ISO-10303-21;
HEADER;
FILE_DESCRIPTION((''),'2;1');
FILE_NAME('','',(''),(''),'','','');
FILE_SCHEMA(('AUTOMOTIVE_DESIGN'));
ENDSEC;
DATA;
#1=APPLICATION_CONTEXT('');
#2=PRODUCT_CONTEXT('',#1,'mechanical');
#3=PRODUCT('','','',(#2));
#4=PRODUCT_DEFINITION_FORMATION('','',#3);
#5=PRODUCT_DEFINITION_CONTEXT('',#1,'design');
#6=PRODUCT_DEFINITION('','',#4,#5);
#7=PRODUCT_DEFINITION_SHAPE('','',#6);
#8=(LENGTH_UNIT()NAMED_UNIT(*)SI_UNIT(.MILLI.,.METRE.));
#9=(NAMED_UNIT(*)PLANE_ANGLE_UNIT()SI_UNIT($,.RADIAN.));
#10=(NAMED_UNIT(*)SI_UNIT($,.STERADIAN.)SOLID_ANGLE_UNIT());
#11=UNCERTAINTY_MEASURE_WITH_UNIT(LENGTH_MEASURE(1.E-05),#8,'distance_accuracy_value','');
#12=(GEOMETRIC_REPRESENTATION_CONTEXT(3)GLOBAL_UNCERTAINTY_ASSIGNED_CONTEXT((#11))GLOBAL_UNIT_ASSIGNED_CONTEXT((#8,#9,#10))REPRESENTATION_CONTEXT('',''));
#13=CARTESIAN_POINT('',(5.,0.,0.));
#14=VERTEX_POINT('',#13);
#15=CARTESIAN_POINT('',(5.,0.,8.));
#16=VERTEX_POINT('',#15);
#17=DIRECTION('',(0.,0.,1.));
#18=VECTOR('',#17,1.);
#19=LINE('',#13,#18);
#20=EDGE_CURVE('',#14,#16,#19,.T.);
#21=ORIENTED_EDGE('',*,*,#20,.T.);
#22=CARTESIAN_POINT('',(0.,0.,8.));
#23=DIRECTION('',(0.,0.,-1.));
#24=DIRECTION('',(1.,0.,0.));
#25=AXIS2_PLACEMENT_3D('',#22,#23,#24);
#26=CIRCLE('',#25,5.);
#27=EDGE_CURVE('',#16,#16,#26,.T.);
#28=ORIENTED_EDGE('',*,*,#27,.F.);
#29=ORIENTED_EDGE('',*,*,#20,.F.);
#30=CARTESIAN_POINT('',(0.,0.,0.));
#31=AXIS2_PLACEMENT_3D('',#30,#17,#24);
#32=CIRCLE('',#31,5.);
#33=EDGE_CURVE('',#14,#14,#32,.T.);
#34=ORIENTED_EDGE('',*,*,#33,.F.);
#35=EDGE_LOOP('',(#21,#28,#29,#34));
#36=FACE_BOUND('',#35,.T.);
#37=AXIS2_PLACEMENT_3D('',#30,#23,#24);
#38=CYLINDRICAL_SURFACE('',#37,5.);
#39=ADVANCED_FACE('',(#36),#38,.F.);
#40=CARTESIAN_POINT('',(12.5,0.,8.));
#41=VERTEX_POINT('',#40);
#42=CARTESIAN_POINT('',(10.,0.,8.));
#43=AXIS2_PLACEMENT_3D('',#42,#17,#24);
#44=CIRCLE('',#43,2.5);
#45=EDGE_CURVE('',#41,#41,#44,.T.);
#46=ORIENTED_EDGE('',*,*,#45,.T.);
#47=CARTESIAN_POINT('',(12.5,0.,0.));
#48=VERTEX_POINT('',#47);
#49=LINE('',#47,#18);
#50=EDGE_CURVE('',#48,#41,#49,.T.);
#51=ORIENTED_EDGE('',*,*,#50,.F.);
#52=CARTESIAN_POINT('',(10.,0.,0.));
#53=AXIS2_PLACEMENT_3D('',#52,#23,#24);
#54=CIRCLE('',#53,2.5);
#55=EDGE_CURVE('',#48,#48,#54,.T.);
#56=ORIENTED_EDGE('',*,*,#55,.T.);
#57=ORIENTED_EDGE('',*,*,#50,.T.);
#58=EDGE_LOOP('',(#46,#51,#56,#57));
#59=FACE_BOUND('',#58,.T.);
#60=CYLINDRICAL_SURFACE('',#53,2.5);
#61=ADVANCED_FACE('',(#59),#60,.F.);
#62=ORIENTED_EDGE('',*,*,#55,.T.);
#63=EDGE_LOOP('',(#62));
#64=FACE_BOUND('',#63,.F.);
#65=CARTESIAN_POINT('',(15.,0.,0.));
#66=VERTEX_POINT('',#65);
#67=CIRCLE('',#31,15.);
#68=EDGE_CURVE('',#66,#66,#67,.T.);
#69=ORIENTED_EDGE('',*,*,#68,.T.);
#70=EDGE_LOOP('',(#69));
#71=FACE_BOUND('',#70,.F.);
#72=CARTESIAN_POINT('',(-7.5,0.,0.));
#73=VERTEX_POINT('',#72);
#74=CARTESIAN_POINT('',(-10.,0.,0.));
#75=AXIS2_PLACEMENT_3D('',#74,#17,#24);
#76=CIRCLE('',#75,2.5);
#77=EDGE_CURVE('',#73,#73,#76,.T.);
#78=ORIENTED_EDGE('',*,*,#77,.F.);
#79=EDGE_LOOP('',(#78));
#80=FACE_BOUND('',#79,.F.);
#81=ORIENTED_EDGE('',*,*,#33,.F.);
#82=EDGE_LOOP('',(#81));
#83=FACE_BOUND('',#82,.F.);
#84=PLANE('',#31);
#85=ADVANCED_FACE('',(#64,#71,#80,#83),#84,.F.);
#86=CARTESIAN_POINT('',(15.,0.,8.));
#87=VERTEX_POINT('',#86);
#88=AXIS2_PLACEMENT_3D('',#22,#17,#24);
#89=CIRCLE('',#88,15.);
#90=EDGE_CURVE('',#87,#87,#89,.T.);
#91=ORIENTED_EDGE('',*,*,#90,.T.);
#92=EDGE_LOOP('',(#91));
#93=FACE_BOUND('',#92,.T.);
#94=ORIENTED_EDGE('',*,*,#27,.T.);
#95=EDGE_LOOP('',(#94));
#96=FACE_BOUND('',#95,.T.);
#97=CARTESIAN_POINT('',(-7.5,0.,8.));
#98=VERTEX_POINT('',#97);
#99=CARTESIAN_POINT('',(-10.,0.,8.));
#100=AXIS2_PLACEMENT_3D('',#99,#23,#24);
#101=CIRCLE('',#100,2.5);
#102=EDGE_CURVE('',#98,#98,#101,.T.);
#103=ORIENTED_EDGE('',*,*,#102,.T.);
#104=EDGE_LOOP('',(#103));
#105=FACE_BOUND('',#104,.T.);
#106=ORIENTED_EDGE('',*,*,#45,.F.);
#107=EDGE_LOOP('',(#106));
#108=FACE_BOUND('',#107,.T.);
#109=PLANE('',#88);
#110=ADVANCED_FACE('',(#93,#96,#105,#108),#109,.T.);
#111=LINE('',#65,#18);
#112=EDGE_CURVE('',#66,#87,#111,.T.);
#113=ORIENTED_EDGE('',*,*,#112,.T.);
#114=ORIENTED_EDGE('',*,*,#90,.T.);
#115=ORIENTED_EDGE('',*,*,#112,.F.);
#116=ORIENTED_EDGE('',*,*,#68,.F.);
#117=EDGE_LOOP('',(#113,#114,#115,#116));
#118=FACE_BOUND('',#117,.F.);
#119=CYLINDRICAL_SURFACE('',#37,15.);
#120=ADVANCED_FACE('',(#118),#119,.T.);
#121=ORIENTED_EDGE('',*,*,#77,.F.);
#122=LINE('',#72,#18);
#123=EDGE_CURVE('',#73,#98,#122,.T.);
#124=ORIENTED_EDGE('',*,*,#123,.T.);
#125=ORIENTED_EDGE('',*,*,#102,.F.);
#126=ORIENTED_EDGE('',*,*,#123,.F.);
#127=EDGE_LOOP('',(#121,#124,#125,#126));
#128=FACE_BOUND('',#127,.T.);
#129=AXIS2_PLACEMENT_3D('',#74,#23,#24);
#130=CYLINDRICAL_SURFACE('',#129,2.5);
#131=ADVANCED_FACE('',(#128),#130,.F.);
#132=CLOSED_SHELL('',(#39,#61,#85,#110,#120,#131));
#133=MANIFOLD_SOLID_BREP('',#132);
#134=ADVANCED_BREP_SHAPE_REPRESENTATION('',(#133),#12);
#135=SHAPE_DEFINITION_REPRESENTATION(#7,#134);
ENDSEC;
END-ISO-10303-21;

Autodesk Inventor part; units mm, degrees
ref_plane "YZ Plane" through (0, 0, 0) normal (1, 0, 0) x (0, 1, 0)
ref_plane "XZ Plane" through (0, 0, 0) normal (0, 1, 0) x (-1, 0, 0)
ref_plane "XY Plane" through (0, 0, 0) normal (0, 0, 1) x (1, 0, 0)
sketch "スケッチ1" plane through (0, 0, 0) normal (0, 0, 1) x (1, 0, 0)
  circle A0 centre (0, 0) radius 5
  circle A1 centre (0, 0) radius 15
  circle A2 centre (0, 0) radius 10
  circle A3 centre (10, 0) radius 2.5
  circle A4 centre (-10, 0) radius 2.5
  line L0 (-10, 0) -> (10, 0)
  dimension "d0" = 10
  dimension "d1" = 30
  dimension "d2" = 20
  dimension "d3" = 5
  dimension "d4" = 5
extrude "押し出し1" add sketch "スケッチ1" along normal blind 8 contours L0 A3 A2 A4 A0 | A0 L0 A4 A2 A3 | A1
properties part number "set_10_28"
